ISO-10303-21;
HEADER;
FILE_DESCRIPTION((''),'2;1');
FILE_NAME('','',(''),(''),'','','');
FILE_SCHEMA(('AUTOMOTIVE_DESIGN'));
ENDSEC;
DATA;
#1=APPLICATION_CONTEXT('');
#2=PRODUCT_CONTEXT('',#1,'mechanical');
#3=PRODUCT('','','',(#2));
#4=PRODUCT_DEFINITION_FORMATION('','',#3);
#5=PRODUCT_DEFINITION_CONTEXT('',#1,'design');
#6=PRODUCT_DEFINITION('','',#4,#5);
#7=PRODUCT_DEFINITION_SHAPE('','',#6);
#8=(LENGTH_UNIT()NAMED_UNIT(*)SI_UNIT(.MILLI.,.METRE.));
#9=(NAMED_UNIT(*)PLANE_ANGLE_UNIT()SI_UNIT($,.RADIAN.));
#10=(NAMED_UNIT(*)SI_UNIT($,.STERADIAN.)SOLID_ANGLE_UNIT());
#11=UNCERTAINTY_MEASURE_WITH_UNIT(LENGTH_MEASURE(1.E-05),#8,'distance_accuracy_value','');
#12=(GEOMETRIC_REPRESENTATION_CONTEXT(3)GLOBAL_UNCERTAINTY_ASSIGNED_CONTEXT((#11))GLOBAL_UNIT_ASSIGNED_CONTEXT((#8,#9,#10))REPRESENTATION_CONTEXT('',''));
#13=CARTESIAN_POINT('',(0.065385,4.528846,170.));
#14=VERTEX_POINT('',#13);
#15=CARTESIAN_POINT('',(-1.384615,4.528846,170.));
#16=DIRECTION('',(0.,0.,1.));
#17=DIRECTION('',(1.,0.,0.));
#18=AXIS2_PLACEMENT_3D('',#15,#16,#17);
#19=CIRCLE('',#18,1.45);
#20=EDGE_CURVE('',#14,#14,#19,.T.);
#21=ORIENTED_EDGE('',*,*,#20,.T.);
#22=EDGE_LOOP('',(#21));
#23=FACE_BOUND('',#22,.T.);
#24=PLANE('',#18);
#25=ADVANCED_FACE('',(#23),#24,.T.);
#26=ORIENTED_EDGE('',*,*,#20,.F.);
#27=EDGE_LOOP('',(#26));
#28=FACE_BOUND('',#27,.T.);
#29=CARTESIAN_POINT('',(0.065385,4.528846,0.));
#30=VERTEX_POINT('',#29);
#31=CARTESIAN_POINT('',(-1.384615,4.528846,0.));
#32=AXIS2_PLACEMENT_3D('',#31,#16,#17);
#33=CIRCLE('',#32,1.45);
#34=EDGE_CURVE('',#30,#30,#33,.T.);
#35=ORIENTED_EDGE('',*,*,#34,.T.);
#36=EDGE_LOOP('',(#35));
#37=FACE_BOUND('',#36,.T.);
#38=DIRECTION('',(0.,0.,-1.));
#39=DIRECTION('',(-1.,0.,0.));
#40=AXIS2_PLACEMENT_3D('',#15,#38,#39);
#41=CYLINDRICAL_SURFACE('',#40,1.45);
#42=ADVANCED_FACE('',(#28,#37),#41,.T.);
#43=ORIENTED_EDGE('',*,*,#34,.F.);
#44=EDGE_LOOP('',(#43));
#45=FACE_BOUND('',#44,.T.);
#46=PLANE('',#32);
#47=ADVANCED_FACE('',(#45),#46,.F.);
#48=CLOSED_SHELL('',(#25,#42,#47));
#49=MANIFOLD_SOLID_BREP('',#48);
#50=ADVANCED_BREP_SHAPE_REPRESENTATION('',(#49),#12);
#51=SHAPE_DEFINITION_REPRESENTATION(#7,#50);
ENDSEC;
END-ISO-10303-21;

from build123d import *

# Parameters (mm, degrees)
SKETCH_1_R      = 1.45
EXTRUDE_1_DEPTH = 170


with BuildPart() as part:
    # 草图1 → 凸台-拉伸1 (new body)
    with BuildSketch(Plane.XY):
        with Locations((-1.384615385, 4.528846154)):
            Circle(SKETCH_1_R)
    extrude(amount=EXTRUDE_1_DEPTH)


solid = part.part
